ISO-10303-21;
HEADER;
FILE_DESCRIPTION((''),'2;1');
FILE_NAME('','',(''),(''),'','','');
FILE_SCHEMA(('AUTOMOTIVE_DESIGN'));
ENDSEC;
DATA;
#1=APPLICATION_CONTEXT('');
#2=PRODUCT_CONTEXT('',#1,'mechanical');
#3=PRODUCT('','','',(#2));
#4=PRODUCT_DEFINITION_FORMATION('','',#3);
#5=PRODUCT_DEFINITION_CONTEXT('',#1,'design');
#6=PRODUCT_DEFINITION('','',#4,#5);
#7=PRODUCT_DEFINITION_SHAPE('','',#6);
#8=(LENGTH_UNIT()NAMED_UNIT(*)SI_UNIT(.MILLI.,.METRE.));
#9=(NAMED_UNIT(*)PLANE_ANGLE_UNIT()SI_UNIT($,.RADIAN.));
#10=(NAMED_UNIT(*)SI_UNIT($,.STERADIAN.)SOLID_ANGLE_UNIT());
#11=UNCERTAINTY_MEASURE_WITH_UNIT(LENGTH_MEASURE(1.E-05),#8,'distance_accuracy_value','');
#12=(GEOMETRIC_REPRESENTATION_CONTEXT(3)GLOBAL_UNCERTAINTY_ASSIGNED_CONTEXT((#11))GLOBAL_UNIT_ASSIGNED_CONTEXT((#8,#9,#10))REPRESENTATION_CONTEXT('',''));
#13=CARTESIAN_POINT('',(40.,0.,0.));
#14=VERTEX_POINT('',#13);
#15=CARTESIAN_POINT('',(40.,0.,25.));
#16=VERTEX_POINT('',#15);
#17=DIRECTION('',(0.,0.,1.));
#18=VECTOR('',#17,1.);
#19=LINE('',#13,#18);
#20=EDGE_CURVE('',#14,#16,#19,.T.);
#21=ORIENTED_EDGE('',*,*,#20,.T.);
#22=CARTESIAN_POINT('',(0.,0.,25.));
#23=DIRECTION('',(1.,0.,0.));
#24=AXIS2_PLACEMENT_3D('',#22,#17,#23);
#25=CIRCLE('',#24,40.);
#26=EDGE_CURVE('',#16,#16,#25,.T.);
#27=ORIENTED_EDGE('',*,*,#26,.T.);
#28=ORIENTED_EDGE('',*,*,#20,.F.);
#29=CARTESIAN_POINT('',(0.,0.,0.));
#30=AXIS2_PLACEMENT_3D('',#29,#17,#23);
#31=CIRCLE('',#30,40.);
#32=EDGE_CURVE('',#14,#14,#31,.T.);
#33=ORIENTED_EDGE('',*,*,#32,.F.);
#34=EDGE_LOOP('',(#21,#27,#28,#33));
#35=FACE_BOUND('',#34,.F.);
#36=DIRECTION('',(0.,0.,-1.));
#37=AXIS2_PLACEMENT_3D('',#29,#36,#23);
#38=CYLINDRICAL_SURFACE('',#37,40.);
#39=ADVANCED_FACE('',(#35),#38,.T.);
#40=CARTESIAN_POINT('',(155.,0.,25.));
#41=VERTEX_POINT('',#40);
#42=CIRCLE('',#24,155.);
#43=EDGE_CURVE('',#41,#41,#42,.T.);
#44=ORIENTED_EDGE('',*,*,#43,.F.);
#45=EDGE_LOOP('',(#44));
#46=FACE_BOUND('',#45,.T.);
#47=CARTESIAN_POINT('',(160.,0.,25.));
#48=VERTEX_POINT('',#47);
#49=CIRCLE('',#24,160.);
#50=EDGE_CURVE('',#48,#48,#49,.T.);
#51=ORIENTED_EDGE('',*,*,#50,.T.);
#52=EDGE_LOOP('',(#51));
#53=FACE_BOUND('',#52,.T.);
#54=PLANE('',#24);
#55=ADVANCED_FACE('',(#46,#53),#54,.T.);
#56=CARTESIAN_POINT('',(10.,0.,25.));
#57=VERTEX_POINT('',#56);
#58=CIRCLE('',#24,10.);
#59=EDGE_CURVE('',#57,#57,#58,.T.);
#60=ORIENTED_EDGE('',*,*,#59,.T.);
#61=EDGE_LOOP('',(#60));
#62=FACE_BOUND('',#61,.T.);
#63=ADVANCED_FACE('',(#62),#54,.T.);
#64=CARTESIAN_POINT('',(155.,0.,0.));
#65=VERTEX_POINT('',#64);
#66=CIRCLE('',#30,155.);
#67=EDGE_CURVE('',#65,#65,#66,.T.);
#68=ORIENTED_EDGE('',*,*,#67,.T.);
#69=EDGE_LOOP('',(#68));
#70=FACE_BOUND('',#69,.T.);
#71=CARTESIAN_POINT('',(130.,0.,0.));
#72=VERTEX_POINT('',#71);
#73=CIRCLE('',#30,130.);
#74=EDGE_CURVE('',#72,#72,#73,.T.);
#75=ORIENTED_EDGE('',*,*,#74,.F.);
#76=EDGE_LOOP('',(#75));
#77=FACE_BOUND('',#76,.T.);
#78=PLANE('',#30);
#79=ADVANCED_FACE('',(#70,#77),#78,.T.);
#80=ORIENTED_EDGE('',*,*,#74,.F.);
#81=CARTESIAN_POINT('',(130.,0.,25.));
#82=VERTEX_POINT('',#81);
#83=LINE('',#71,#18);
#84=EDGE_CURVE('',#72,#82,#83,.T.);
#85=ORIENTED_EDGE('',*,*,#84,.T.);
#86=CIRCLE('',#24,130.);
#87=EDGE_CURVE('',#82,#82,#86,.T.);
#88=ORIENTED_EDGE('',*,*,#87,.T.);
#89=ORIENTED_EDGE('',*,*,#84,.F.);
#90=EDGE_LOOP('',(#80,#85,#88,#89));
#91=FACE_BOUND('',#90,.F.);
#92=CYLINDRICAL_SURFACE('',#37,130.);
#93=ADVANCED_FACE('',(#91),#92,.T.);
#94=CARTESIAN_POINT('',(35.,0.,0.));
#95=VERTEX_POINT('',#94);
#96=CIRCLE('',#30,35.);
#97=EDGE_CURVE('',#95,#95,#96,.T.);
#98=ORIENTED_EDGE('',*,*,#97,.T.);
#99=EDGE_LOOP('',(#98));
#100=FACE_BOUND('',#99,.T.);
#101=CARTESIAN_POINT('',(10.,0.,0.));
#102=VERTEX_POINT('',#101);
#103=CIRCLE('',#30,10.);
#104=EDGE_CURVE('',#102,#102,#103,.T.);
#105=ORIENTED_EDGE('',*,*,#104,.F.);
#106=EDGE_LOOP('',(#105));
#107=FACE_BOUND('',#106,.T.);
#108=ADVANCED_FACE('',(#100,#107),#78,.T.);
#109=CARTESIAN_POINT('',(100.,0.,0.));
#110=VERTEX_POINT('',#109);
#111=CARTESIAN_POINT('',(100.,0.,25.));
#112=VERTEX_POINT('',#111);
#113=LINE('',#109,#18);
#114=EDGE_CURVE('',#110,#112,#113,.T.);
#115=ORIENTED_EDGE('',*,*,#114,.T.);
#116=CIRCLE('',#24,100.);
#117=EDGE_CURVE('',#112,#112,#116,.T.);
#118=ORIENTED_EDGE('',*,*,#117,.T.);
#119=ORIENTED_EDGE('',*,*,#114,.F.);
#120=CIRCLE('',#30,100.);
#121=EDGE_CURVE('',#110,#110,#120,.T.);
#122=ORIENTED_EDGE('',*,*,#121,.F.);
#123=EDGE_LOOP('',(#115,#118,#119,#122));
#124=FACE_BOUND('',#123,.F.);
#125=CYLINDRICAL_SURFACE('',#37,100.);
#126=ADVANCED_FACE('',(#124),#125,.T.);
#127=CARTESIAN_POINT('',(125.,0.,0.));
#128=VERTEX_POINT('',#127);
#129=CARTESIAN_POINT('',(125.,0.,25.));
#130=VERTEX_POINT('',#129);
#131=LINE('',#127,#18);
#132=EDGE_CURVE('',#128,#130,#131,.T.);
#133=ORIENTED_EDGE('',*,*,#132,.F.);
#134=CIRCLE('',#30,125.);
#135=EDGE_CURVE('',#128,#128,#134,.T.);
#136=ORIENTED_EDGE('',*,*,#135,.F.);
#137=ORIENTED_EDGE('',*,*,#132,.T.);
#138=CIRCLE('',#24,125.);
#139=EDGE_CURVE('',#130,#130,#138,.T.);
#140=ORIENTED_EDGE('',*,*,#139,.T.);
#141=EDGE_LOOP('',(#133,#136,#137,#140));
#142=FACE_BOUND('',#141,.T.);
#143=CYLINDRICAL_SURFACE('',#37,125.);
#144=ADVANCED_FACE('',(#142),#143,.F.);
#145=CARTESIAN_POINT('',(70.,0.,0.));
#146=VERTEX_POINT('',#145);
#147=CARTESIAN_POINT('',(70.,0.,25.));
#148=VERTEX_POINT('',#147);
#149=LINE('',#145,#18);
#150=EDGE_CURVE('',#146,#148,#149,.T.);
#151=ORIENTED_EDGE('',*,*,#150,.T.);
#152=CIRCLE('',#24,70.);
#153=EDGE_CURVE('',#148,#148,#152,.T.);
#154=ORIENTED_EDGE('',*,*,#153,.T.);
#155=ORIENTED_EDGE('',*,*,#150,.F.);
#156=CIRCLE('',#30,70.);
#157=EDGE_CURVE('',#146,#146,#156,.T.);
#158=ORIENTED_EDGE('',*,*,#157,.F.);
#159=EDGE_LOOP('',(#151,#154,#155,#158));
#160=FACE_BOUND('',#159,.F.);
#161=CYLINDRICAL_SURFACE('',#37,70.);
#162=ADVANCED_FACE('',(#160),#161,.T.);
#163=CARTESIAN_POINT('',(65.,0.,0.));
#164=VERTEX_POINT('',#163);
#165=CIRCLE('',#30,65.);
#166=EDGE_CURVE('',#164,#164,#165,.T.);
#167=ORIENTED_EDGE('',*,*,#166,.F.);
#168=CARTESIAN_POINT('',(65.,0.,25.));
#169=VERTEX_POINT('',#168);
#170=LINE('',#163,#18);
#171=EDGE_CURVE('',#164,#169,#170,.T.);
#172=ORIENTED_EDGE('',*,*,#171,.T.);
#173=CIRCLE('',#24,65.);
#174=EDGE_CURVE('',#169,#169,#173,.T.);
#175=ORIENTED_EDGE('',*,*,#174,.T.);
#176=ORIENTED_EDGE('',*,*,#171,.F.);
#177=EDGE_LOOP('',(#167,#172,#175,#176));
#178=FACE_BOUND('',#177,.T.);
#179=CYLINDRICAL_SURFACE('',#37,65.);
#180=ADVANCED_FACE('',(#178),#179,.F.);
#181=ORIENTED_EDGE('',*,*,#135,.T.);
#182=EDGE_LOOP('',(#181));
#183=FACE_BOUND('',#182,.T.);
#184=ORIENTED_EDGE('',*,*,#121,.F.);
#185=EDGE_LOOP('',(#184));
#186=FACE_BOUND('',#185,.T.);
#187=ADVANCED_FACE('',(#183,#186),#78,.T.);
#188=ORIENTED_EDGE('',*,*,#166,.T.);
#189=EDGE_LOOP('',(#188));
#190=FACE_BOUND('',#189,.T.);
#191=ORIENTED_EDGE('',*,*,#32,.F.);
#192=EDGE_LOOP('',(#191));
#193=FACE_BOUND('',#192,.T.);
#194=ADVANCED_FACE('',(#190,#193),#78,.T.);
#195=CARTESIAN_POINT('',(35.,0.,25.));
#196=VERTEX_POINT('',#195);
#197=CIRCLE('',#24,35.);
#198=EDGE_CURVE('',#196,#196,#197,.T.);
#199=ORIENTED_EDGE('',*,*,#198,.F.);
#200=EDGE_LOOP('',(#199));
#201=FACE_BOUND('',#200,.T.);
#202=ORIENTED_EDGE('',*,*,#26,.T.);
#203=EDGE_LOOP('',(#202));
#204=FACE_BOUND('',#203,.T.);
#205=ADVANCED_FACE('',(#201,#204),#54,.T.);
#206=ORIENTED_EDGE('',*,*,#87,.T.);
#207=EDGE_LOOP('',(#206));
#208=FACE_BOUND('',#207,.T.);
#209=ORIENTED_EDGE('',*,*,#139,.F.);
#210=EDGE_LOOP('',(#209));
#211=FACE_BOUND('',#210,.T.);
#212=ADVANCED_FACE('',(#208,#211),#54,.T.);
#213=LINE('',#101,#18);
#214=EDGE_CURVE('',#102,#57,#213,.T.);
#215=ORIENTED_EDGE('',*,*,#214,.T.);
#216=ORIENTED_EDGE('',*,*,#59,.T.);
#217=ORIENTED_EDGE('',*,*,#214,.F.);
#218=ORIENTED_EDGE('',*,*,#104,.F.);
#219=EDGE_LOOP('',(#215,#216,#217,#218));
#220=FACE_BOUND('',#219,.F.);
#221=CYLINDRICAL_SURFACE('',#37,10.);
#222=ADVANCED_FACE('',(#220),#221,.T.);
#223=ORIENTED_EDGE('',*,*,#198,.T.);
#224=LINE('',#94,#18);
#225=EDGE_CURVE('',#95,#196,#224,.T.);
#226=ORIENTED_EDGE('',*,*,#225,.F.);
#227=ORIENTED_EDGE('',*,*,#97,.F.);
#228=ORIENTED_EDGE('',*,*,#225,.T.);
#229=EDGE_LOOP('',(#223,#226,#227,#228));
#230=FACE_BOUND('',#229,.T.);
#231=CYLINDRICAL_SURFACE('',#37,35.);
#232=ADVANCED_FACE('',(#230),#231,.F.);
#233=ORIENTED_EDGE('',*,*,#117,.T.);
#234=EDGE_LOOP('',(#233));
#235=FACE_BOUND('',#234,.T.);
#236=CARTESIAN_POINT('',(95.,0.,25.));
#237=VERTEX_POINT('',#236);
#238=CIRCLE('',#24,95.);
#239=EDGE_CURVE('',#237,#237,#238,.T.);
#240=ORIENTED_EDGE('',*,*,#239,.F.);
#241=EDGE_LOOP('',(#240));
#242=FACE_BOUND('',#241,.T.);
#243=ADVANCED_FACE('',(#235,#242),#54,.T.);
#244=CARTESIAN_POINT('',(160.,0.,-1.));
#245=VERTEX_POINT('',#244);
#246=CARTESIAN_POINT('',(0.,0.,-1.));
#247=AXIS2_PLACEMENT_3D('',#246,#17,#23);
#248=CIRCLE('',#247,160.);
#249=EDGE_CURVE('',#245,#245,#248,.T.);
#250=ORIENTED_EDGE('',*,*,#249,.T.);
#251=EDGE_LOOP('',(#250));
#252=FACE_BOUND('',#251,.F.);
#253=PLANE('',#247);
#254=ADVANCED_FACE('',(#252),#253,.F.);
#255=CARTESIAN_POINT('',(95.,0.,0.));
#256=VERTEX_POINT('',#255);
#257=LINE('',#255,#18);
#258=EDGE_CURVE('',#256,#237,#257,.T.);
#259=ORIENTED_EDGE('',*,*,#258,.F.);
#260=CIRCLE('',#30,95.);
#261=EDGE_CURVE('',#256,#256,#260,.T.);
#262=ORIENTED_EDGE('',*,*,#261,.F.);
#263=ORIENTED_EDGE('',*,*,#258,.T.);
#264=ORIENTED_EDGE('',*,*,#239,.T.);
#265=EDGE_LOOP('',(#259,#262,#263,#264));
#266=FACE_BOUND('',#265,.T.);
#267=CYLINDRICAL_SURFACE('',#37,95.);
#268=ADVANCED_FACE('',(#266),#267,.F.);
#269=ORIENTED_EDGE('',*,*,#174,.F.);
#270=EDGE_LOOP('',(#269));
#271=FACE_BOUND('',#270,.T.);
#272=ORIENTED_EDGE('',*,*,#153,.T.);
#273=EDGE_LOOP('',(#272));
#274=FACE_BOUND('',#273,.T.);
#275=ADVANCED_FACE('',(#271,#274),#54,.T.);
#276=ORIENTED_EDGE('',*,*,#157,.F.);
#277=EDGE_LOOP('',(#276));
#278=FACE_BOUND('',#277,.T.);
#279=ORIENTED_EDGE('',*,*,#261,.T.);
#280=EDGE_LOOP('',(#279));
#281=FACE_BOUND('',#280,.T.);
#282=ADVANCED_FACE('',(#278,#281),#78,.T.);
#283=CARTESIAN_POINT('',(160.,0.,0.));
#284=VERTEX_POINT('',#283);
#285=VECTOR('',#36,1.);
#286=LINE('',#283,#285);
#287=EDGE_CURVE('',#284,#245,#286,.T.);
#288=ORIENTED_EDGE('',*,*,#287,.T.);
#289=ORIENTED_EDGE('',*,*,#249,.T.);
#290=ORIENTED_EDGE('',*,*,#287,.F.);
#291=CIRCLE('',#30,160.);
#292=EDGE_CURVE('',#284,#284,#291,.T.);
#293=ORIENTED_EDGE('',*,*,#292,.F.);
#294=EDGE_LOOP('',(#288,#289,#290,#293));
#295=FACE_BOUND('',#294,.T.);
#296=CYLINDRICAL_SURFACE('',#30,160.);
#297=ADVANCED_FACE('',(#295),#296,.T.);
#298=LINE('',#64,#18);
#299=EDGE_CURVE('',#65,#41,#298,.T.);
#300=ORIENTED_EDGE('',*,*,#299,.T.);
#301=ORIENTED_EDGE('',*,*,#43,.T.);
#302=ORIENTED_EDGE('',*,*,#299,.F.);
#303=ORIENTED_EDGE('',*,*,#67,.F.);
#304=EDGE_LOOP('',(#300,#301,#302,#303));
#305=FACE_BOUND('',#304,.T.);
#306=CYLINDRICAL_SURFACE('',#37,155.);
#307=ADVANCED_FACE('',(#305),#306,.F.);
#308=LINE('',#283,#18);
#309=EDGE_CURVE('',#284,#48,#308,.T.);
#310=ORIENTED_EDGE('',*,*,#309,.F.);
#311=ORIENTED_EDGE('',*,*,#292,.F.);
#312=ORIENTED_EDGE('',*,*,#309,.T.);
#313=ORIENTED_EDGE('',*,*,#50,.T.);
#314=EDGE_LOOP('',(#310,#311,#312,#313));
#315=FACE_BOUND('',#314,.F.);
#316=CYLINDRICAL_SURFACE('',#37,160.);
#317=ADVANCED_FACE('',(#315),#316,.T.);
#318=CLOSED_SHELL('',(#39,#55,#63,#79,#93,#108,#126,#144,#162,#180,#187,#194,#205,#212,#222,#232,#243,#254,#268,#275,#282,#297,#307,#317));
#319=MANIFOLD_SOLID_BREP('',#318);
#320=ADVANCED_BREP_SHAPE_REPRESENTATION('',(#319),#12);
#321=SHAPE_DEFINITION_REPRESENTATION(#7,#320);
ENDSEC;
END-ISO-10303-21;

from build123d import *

# Parameters (mm, degrees)
F0_R     = 160
F1_DEPTH = 1
F2_R     = 160
F2_R_2   = 155
F2_R_3   = 130
F2_R_4   = 125
F2_R_5   = 100
F2_R_6   = 95
F2_R_7   = 70
F2_R_8   = 65
F2_R_9   = 40
F2_R_10  = 35
F2_R_11  = 10
F3_DEPTH = 25


with BuildPart() as f1:
    # F0 (on Top) → F1 (new body)
    with BuildSketch(Plane.XY):
        Circle(F0_R)
    extrude(amount=-F1_DEPTH)

    # F2 (on face) → F3 (join)
    with BuildSketch(Plane.XY):
        Circle(F2_R)
        Circle(F2_R_2, mode=Mode.SUBTRACT)
        Circle(F2_R_3)
        Circle(F2_R_4, mode=Mode.SUBTRACT)
        Circle(F2_R_5)
        Circle(F2_R_6, mode=Mode.SUBTRACT)
        Circle(F2_R_7)
        Circle(F2_R_8, mode=Mode.SUBTRACT)
        Circle(F2_R_9)
        Circle(F2_R_10, mode=Mode.SUBTRACT)
        Circle(F2_R_11)
    extrude(amount=F3_DEPTH)


solid = f1.part
